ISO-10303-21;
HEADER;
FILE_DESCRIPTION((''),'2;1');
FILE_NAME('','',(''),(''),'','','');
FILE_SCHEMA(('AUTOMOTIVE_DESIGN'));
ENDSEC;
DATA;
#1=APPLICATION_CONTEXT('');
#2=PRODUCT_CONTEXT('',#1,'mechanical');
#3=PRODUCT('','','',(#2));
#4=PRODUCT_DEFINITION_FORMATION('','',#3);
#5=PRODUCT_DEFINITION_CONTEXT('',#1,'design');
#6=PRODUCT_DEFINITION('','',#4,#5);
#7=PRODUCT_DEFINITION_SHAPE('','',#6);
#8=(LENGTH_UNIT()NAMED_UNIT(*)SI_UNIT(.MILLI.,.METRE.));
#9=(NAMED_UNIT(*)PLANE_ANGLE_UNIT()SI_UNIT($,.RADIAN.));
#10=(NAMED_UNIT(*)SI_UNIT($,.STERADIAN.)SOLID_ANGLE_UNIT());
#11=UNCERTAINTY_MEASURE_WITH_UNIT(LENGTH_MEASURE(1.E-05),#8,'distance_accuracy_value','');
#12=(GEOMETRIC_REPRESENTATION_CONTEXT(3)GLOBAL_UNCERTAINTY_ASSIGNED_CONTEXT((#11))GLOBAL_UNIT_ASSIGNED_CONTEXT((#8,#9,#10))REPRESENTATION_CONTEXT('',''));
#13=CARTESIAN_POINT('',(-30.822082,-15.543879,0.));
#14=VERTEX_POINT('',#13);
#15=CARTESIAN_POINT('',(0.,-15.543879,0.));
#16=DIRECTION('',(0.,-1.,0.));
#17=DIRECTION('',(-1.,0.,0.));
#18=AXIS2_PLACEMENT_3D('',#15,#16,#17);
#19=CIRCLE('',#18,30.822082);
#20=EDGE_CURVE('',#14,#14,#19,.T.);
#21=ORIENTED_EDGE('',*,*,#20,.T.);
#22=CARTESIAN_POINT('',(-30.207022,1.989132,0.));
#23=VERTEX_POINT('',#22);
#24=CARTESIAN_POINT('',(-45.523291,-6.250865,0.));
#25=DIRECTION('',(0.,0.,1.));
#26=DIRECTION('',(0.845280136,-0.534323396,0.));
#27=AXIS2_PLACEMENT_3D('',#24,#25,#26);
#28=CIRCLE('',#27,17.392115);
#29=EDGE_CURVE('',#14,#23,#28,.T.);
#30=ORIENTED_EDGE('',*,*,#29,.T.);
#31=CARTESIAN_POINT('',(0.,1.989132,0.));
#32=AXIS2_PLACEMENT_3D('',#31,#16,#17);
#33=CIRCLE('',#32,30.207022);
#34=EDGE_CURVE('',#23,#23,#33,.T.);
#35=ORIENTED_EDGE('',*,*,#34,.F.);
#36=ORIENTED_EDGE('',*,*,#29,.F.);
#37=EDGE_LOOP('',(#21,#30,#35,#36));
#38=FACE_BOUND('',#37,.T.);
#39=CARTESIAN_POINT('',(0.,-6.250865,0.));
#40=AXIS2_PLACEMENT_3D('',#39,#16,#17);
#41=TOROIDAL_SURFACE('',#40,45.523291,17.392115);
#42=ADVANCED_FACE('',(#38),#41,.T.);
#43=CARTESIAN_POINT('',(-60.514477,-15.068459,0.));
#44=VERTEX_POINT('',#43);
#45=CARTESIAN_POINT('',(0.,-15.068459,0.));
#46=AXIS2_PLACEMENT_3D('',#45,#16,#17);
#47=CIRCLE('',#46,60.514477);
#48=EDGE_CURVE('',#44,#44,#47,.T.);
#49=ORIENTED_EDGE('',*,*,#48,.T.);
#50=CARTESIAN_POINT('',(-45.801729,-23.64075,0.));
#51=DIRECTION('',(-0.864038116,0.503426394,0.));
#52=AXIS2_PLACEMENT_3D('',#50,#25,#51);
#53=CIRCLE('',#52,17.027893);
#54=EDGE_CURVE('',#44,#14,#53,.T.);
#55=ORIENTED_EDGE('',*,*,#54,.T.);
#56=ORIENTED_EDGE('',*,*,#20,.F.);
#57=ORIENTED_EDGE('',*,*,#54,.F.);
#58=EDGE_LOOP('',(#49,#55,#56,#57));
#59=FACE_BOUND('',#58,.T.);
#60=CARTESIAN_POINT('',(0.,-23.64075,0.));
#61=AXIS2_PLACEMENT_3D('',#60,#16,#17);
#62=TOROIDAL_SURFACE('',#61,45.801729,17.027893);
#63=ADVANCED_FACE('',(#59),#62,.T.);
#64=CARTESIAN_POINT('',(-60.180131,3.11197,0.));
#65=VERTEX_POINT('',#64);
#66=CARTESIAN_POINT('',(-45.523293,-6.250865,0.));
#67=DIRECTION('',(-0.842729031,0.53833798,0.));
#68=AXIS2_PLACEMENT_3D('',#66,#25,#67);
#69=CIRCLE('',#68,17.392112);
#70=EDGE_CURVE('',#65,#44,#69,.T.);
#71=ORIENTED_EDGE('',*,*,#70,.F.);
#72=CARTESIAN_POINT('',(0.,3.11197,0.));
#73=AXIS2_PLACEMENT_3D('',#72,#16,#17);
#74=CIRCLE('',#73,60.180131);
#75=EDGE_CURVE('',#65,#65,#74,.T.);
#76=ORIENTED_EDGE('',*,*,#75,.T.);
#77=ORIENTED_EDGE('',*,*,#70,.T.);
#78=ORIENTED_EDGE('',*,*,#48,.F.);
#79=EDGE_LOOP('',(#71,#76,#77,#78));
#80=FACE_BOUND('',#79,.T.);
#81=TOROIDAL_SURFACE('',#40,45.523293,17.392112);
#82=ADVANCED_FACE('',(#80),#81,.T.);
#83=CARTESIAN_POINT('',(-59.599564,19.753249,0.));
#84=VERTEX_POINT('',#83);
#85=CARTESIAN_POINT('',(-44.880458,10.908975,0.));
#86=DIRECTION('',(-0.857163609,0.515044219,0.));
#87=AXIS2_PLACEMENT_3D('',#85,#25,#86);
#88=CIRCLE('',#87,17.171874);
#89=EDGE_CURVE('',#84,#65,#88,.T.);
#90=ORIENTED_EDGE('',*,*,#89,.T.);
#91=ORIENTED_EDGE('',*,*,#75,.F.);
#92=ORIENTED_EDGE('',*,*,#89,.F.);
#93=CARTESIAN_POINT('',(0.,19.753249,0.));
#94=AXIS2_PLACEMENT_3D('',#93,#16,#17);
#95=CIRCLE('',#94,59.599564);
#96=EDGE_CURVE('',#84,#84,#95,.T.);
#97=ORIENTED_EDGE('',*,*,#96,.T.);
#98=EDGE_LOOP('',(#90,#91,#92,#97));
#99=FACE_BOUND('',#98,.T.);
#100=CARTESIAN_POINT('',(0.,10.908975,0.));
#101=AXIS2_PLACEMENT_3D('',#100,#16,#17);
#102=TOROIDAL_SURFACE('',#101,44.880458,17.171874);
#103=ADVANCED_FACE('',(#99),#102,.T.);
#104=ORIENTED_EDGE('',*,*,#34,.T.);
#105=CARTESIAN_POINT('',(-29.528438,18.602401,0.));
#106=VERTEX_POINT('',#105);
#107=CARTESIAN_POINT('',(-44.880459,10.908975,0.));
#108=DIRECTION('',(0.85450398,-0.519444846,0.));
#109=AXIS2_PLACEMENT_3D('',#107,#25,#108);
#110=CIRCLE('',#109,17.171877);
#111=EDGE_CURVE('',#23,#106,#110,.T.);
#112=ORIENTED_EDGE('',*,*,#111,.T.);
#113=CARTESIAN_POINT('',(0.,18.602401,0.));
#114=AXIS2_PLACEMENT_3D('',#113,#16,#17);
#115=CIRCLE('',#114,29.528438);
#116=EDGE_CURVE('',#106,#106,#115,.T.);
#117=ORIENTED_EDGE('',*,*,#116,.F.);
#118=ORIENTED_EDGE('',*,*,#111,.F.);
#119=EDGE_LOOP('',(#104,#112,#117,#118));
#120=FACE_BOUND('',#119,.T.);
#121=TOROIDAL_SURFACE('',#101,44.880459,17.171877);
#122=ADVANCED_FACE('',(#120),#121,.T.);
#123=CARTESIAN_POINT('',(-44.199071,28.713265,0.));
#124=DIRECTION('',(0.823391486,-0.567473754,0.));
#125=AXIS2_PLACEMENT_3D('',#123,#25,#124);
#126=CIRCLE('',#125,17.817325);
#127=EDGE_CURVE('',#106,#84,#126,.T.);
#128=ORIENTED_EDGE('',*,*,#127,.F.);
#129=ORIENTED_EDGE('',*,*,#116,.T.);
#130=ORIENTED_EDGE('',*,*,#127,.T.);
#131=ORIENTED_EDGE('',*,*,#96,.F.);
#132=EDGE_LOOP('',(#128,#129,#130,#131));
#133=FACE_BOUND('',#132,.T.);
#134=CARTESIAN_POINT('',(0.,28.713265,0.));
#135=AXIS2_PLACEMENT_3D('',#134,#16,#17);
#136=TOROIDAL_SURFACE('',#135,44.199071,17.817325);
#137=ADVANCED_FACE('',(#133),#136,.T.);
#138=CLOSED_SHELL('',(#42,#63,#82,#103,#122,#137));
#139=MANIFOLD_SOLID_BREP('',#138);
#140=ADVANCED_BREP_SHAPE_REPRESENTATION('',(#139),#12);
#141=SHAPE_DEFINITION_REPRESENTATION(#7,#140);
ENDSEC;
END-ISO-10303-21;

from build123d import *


with BuildPart() as f1:
    # F0 (on Top) → F1 (revolve)
    with BuildSketch(Plane.XY):
        with BuildLine():
            ThreePointArc((-30.207022, 1.989132), (-27.722889, 10.208159), (-29.528438, 18.602401))
            ThreePointArc((-29.528438, 18.602401), (-43.517686, 46.517556), (-59.599564, 19.753249))
            ThreePointArc((-59.599564, 19.753249), (-62.041892, 11.507688), (-60.180131, 3.11197))
            ThreePointArc((-60.180131, 3.11197), (-62.912465, -5.93107), (-60.514477, -15.068459))
            ThreePointArc((-60.514477, -15.068459), (-46.074336, -40.66646), (-30.822082, -15.543879))
            ThreePointArc((-30.822082, -15.543879), (-28.141868, -6.860607), (-30.207022, 1.989132))
        make_face()
    revolve(axis=Axis((0, 1.290485, 0), (0, -1, 0)))


solid = f1.part
